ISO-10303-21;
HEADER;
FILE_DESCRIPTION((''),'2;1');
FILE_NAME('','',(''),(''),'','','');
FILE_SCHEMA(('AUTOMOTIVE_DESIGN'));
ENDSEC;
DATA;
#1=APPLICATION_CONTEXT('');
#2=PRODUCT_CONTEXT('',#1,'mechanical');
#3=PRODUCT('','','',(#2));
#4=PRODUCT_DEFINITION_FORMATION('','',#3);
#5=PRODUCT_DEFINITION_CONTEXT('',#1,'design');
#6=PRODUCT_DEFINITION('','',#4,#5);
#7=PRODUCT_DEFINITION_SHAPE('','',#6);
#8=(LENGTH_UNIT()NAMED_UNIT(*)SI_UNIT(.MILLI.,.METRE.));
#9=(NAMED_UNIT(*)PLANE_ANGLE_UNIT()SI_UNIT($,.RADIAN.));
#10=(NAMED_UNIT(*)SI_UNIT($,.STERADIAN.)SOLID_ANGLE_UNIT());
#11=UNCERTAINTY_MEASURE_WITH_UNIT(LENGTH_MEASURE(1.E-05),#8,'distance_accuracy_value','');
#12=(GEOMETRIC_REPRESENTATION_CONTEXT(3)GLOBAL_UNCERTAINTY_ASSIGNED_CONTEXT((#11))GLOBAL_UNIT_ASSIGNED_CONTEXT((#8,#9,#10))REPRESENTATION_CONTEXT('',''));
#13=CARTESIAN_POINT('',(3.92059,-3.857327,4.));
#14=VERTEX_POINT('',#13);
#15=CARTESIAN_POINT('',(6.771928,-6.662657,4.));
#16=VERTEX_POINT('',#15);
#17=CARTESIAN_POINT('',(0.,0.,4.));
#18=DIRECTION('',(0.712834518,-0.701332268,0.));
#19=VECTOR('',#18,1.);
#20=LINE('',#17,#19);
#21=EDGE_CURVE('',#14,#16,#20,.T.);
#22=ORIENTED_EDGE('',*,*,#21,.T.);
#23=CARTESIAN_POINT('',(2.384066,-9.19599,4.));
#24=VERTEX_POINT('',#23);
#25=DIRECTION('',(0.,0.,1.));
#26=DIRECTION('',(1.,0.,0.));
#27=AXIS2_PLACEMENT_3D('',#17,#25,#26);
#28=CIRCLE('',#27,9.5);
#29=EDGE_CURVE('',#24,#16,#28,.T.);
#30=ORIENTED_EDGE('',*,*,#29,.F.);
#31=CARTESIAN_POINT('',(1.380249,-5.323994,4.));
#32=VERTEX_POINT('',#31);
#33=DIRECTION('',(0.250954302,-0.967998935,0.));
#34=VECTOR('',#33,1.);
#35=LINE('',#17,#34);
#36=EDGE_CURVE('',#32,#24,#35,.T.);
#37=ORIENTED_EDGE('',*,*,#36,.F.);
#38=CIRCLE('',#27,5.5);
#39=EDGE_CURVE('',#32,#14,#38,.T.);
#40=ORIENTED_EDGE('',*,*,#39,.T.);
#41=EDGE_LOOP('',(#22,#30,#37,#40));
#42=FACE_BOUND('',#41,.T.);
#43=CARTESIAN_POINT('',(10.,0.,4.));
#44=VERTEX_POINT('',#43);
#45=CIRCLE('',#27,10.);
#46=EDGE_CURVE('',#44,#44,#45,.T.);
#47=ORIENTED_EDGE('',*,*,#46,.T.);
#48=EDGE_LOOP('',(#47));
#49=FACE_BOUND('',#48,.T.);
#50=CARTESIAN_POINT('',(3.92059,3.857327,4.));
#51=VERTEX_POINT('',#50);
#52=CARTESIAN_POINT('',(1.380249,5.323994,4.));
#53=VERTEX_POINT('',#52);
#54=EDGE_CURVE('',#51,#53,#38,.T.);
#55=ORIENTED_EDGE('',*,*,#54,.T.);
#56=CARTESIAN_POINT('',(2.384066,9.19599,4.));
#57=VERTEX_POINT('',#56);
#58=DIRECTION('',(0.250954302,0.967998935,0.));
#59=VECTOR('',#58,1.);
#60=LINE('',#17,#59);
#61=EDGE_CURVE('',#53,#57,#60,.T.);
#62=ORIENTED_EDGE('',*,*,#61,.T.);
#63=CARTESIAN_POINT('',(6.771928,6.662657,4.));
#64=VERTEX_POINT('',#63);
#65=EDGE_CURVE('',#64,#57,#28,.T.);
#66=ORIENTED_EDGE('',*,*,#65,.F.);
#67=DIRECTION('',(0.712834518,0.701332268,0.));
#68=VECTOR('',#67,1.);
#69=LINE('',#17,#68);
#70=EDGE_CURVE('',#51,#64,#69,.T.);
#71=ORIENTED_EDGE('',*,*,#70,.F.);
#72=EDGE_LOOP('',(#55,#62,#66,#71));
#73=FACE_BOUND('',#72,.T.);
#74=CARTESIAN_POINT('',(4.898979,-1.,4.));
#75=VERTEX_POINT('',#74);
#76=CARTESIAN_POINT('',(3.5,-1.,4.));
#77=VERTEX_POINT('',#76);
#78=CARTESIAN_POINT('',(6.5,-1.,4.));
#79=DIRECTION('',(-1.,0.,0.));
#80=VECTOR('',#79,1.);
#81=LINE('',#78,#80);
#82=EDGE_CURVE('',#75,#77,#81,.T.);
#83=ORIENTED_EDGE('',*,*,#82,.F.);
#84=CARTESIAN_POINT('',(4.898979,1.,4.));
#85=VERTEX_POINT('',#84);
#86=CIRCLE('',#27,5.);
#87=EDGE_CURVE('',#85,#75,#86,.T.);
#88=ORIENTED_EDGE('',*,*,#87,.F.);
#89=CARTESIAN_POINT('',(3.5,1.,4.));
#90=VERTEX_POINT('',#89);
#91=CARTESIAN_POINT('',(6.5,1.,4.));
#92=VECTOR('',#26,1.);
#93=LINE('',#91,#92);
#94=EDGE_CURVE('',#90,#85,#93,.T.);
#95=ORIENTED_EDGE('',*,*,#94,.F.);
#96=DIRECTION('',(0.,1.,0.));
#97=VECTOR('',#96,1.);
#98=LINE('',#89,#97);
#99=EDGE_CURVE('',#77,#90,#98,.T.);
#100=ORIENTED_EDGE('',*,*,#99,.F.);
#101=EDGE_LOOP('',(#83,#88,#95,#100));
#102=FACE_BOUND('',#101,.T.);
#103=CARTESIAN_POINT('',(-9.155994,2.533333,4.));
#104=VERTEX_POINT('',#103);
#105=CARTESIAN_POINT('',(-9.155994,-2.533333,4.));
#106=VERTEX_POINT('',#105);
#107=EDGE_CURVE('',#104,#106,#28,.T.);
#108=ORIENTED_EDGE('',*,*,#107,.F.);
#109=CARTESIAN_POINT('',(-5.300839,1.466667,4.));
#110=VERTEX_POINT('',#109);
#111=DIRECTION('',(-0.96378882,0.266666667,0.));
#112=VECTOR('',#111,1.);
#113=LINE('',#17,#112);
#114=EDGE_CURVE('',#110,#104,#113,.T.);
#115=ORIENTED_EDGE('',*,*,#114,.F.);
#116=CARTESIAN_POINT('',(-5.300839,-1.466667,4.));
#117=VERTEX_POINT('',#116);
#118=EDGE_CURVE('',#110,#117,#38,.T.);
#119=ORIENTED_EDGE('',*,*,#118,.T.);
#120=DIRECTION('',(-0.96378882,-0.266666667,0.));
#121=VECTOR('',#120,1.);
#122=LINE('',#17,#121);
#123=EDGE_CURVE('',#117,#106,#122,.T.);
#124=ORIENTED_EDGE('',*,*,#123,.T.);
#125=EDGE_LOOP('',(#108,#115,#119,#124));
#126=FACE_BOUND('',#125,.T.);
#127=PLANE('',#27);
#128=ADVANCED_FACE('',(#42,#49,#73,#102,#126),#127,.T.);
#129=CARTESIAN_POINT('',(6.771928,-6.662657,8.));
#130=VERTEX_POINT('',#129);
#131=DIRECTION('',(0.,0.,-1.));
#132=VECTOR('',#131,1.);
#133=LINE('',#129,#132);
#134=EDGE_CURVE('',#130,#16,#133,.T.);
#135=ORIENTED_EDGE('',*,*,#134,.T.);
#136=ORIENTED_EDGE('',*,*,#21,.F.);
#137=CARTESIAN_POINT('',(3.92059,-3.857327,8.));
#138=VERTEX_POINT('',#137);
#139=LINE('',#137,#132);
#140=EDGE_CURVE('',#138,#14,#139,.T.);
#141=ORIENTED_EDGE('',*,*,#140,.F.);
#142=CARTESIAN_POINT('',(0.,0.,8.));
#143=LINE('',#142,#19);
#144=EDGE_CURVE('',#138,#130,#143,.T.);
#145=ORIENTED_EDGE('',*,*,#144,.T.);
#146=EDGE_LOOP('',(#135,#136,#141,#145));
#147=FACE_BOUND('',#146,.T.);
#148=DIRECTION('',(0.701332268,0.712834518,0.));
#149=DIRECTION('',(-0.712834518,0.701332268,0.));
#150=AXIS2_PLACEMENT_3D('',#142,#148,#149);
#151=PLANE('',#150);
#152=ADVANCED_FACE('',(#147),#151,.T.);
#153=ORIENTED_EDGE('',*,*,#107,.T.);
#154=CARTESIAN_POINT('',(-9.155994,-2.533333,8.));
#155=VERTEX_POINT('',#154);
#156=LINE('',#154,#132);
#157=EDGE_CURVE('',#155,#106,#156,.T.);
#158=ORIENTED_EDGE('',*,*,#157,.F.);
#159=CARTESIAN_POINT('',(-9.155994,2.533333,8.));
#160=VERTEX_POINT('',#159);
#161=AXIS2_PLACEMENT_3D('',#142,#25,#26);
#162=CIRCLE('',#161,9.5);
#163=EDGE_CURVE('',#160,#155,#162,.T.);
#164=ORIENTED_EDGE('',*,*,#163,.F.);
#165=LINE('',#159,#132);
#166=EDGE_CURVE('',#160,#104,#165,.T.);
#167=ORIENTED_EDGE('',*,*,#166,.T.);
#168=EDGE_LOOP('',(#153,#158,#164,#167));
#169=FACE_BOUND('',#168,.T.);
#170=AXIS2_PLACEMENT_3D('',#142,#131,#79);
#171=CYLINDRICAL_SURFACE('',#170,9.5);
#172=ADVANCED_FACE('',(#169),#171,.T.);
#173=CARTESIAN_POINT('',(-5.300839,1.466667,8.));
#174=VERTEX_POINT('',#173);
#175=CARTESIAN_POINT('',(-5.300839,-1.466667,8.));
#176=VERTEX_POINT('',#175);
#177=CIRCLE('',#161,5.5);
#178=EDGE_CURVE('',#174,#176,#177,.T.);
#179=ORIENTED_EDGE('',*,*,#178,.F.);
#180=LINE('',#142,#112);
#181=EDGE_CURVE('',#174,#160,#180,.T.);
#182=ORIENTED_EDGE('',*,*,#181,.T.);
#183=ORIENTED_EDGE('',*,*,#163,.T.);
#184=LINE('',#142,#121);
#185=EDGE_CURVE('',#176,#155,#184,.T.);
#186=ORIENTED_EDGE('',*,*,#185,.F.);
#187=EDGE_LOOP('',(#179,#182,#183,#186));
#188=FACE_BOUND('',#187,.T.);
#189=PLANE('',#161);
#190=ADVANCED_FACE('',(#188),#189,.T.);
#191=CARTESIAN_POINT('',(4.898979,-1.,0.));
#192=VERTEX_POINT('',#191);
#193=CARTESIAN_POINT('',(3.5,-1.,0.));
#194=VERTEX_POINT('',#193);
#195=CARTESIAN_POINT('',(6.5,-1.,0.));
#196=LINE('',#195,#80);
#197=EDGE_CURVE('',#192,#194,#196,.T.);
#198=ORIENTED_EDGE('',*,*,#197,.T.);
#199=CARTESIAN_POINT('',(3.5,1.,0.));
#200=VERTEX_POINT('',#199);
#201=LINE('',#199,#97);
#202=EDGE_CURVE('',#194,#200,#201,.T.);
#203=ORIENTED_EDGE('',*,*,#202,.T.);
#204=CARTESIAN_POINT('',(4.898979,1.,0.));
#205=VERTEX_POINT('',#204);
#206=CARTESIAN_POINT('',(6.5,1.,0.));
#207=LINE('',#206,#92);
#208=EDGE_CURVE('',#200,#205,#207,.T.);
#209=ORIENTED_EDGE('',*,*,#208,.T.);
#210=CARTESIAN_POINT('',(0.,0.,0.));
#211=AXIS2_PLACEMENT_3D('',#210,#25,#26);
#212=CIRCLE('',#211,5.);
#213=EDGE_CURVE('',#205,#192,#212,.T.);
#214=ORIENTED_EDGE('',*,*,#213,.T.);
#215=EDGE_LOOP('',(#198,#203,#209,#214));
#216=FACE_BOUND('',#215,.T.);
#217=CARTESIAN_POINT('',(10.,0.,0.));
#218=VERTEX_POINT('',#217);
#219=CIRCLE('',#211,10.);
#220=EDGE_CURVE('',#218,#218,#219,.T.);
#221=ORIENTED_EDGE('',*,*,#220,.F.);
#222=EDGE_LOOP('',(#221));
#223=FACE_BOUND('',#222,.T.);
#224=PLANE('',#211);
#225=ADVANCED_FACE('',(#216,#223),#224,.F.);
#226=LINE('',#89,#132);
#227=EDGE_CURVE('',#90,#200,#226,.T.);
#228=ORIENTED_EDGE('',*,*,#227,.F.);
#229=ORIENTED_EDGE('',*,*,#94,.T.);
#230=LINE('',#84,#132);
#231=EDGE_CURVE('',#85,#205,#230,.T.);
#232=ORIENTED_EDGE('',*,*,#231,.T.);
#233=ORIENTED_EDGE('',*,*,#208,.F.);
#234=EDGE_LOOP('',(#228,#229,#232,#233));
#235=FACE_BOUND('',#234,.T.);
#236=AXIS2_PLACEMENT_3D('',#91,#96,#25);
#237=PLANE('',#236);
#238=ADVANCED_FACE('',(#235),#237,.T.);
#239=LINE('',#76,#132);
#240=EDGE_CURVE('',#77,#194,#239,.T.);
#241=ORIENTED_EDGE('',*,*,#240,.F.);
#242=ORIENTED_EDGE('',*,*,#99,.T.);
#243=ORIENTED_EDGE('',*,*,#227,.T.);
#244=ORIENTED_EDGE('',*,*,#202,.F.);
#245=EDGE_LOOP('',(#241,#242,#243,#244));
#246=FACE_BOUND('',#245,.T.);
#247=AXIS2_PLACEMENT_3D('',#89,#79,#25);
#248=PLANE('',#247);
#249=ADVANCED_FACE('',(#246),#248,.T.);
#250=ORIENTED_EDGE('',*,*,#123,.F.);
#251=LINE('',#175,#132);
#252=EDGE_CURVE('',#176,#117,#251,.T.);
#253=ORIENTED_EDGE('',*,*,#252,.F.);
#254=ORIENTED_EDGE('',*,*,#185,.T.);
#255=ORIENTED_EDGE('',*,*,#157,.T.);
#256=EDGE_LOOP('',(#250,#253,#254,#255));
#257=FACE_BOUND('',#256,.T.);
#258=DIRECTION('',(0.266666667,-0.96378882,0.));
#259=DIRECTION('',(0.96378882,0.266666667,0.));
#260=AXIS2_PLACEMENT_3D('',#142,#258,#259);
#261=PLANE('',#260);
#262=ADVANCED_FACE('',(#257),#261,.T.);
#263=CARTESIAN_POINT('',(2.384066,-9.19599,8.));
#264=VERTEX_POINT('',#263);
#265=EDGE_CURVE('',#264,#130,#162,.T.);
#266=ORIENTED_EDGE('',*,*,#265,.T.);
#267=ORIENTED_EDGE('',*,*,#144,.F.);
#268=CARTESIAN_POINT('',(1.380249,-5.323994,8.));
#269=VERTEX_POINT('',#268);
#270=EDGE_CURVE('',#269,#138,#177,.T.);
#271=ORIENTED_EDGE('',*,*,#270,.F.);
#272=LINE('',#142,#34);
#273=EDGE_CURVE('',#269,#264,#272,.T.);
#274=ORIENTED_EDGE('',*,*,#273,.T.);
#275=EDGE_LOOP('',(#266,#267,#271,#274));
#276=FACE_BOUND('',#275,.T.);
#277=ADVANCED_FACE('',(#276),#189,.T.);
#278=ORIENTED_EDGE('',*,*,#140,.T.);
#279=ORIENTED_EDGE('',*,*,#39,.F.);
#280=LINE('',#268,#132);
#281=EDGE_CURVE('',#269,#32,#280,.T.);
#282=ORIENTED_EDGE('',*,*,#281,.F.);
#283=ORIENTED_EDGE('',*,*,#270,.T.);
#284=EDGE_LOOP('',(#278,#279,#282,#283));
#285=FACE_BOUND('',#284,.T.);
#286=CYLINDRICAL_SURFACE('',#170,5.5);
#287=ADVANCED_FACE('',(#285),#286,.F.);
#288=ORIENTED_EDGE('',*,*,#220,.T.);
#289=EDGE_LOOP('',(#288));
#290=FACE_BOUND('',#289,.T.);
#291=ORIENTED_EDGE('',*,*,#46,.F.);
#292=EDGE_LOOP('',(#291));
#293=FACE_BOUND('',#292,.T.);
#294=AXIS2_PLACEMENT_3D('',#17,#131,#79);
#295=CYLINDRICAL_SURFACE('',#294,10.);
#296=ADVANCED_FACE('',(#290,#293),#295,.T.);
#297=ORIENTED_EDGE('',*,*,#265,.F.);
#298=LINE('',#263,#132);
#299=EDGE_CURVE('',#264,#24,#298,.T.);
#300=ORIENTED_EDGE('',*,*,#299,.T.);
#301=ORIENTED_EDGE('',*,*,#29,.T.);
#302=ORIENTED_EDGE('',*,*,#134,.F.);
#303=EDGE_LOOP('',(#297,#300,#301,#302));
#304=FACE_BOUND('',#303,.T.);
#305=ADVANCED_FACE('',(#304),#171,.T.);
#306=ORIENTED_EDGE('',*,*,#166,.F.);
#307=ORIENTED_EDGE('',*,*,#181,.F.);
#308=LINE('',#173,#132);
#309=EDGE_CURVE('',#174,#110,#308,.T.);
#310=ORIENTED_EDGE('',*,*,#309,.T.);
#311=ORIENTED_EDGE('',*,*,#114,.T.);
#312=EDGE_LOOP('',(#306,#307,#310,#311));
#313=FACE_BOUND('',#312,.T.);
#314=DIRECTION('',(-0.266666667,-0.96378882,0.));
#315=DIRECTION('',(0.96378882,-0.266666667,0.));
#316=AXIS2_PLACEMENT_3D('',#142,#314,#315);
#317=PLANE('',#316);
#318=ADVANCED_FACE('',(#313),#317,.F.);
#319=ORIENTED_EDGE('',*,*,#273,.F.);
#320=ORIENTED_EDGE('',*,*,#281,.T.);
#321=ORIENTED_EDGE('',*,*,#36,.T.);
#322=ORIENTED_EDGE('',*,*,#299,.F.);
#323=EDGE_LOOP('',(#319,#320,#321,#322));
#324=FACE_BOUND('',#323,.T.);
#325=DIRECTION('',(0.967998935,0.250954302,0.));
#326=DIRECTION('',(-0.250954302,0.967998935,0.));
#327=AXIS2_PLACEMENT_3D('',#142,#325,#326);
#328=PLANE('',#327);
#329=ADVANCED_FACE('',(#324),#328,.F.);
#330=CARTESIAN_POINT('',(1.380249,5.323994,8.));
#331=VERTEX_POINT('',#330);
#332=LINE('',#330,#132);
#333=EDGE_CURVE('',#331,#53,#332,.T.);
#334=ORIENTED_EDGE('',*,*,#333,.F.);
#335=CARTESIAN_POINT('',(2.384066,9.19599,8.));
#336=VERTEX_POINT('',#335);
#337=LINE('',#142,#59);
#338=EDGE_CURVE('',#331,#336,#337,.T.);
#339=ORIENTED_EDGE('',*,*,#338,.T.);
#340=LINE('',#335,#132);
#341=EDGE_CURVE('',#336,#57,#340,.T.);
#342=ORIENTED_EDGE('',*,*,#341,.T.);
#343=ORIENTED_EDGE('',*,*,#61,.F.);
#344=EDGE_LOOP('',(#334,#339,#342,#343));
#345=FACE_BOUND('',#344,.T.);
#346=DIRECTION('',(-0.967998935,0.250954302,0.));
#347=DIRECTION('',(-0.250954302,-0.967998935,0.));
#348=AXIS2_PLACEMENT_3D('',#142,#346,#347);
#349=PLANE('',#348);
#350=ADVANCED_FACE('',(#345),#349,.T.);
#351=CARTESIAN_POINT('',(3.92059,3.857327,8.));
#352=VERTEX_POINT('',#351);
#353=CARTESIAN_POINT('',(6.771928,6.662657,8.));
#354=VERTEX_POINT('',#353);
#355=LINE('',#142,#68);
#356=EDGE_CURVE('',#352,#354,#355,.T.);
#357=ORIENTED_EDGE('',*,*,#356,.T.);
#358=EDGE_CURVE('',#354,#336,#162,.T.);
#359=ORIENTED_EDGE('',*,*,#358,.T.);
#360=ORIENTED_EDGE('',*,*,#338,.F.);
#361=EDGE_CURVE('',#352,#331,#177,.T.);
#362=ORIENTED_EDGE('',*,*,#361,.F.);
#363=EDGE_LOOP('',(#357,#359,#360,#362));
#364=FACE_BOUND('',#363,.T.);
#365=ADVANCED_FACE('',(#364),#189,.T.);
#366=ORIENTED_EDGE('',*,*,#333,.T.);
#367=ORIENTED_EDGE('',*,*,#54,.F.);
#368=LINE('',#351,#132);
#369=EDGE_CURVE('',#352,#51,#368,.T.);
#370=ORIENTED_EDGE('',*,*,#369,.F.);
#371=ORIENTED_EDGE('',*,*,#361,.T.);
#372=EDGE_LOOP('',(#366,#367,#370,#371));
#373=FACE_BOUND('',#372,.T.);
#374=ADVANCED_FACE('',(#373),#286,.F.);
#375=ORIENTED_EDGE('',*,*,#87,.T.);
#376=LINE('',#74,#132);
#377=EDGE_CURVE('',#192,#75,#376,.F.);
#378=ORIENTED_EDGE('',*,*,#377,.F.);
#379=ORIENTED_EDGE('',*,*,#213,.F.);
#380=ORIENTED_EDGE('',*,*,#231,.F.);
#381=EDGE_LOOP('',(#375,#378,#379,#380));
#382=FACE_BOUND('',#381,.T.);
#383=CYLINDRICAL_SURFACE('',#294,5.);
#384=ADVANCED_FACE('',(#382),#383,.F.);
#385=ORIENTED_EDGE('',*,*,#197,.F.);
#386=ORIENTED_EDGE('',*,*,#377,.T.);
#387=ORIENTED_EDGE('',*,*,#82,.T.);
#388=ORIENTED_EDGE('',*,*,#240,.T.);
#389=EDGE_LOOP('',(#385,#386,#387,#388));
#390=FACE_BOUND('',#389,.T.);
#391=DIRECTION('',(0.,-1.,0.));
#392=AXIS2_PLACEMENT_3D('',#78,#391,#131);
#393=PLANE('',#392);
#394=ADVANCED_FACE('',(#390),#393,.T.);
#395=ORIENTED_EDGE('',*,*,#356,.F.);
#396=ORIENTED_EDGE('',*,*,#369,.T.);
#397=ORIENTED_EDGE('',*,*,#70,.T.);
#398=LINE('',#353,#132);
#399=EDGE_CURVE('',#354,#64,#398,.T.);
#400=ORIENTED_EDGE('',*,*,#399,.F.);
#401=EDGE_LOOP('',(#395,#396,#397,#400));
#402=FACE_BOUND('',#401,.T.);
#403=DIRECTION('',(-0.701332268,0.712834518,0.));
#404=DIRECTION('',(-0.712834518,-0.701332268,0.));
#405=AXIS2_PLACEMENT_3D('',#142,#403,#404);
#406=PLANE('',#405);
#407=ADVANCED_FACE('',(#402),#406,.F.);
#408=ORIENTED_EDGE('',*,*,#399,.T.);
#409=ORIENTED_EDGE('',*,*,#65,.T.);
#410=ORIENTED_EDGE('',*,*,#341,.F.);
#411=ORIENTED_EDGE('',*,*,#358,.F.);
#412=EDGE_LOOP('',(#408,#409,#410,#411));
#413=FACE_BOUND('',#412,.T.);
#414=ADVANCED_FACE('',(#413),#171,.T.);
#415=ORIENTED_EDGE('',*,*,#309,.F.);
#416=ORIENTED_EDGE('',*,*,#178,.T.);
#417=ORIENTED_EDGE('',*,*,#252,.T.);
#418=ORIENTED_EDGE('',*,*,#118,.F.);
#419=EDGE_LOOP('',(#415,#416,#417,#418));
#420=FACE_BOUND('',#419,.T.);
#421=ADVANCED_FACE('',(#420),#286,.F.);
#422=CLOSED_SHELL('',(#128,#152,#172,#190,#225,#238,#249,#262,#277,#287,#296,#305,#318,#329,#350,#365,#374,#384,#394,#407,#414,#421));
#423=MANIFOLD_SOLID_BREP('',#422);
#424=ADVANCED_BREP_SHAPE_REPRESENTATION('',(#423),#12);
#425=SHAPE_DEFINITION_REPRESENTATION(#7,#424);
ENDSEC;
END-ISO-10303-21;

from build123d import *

# Parameters (mm, degrees)
SKETCH1_R           = 10
SKETCH1_R_2         = 5
BOSS_EXTRUDE2_DEPTH = 4
BOSS_EXTRUDE3_DEPTH = 4
SKETCH3_W           = 3
SKETCH3_H           = 2
BOSS_EXTRUDE4_DEPTH = 4


with BuildPart() as part:
    # Sketch1 → Boss-Extrude2 (new body)
    with BuildSketch(Plane.XY):
        Circle(SKETCH1_R)
        Circle(SKETCH1_R_2, mode=Mode.SUBTRACT)
    extrude(amount=BOSS_EXTRUDE2_DEPTH)

    # Sketch2 → Boss-Extrude3 (add)
    with BuildSketch(Plane.XY.offset(4)):
        with BuildLine():
            ThreePointArc((-5.5, 0), (-5.449982192, 0.74006358), (-5.300838508, 1.466666667))
            Line((-5.300838508, 1.466666667), (-9.155993787, 2.533333333))
            ThreePointArc((-9.155993787, 2.533333333), (-9.413605605, 1.278291639), (-9.5, 0))
            ThreePointArc((-9.5, 0), (-9.413605605, -1.278291639), (-9.155993787, -2.533333333))
            Line((-9.155993787, -2.533333333), (-5.300838508, -1.466666667))
            ThreePointArc((-5.300838508, -1.466666667), (-5.449982192, -0.74006358), (-5.5, 0))
        make_face()
        with BuildLine():
            ThreePointArc((3.920589846, -3.857327476), (2.75, -4.763139721), (1.380248662, -5.323994143))
            Line((1.380248662, -5.323994143), (2.38406587, -9.195989883))
            ThreePointArc((2.38406587, -9.195989883), (4.75, -8.227241336), (6.771927916, -6.66265655))
            Line((6.771927916, -6.66265655), (3.920589846, -3.857327476))
        make_face()
        with BuildLine():
            Line((2.38406587, 9.195989883), (1.380248662, 5.323994143))
            ThreePointArc((1.380248662, 5.323994143), (2.75, 4.763139721), (3.920589846, 3.857327476))
            Line((3.920589846, 3.857327476), (6.771927916, 6.66265655))
            ThreePointArc((6.771927916, 6.66265655), (4.75, 8.227241336), (2.38406587, 9.195989883))
        make_face()
    extrude(amount=BOSS_EXTRUDE3_DEPTH)

    # Sketch3 → Boss-Extrude4 (add)
    with BuildSketch(Plane(origin=(0, 0, 0), x_dir=(-1, 0, 0), z_dir=(0, 0, -1))):
        with Locations((-5, 0)):
            Rectangle(SKETCH3_W, SKETCH3_H)
    extrude(amount=-BOSS_EXTRUDE4_DEPTH)


solid = part.part
